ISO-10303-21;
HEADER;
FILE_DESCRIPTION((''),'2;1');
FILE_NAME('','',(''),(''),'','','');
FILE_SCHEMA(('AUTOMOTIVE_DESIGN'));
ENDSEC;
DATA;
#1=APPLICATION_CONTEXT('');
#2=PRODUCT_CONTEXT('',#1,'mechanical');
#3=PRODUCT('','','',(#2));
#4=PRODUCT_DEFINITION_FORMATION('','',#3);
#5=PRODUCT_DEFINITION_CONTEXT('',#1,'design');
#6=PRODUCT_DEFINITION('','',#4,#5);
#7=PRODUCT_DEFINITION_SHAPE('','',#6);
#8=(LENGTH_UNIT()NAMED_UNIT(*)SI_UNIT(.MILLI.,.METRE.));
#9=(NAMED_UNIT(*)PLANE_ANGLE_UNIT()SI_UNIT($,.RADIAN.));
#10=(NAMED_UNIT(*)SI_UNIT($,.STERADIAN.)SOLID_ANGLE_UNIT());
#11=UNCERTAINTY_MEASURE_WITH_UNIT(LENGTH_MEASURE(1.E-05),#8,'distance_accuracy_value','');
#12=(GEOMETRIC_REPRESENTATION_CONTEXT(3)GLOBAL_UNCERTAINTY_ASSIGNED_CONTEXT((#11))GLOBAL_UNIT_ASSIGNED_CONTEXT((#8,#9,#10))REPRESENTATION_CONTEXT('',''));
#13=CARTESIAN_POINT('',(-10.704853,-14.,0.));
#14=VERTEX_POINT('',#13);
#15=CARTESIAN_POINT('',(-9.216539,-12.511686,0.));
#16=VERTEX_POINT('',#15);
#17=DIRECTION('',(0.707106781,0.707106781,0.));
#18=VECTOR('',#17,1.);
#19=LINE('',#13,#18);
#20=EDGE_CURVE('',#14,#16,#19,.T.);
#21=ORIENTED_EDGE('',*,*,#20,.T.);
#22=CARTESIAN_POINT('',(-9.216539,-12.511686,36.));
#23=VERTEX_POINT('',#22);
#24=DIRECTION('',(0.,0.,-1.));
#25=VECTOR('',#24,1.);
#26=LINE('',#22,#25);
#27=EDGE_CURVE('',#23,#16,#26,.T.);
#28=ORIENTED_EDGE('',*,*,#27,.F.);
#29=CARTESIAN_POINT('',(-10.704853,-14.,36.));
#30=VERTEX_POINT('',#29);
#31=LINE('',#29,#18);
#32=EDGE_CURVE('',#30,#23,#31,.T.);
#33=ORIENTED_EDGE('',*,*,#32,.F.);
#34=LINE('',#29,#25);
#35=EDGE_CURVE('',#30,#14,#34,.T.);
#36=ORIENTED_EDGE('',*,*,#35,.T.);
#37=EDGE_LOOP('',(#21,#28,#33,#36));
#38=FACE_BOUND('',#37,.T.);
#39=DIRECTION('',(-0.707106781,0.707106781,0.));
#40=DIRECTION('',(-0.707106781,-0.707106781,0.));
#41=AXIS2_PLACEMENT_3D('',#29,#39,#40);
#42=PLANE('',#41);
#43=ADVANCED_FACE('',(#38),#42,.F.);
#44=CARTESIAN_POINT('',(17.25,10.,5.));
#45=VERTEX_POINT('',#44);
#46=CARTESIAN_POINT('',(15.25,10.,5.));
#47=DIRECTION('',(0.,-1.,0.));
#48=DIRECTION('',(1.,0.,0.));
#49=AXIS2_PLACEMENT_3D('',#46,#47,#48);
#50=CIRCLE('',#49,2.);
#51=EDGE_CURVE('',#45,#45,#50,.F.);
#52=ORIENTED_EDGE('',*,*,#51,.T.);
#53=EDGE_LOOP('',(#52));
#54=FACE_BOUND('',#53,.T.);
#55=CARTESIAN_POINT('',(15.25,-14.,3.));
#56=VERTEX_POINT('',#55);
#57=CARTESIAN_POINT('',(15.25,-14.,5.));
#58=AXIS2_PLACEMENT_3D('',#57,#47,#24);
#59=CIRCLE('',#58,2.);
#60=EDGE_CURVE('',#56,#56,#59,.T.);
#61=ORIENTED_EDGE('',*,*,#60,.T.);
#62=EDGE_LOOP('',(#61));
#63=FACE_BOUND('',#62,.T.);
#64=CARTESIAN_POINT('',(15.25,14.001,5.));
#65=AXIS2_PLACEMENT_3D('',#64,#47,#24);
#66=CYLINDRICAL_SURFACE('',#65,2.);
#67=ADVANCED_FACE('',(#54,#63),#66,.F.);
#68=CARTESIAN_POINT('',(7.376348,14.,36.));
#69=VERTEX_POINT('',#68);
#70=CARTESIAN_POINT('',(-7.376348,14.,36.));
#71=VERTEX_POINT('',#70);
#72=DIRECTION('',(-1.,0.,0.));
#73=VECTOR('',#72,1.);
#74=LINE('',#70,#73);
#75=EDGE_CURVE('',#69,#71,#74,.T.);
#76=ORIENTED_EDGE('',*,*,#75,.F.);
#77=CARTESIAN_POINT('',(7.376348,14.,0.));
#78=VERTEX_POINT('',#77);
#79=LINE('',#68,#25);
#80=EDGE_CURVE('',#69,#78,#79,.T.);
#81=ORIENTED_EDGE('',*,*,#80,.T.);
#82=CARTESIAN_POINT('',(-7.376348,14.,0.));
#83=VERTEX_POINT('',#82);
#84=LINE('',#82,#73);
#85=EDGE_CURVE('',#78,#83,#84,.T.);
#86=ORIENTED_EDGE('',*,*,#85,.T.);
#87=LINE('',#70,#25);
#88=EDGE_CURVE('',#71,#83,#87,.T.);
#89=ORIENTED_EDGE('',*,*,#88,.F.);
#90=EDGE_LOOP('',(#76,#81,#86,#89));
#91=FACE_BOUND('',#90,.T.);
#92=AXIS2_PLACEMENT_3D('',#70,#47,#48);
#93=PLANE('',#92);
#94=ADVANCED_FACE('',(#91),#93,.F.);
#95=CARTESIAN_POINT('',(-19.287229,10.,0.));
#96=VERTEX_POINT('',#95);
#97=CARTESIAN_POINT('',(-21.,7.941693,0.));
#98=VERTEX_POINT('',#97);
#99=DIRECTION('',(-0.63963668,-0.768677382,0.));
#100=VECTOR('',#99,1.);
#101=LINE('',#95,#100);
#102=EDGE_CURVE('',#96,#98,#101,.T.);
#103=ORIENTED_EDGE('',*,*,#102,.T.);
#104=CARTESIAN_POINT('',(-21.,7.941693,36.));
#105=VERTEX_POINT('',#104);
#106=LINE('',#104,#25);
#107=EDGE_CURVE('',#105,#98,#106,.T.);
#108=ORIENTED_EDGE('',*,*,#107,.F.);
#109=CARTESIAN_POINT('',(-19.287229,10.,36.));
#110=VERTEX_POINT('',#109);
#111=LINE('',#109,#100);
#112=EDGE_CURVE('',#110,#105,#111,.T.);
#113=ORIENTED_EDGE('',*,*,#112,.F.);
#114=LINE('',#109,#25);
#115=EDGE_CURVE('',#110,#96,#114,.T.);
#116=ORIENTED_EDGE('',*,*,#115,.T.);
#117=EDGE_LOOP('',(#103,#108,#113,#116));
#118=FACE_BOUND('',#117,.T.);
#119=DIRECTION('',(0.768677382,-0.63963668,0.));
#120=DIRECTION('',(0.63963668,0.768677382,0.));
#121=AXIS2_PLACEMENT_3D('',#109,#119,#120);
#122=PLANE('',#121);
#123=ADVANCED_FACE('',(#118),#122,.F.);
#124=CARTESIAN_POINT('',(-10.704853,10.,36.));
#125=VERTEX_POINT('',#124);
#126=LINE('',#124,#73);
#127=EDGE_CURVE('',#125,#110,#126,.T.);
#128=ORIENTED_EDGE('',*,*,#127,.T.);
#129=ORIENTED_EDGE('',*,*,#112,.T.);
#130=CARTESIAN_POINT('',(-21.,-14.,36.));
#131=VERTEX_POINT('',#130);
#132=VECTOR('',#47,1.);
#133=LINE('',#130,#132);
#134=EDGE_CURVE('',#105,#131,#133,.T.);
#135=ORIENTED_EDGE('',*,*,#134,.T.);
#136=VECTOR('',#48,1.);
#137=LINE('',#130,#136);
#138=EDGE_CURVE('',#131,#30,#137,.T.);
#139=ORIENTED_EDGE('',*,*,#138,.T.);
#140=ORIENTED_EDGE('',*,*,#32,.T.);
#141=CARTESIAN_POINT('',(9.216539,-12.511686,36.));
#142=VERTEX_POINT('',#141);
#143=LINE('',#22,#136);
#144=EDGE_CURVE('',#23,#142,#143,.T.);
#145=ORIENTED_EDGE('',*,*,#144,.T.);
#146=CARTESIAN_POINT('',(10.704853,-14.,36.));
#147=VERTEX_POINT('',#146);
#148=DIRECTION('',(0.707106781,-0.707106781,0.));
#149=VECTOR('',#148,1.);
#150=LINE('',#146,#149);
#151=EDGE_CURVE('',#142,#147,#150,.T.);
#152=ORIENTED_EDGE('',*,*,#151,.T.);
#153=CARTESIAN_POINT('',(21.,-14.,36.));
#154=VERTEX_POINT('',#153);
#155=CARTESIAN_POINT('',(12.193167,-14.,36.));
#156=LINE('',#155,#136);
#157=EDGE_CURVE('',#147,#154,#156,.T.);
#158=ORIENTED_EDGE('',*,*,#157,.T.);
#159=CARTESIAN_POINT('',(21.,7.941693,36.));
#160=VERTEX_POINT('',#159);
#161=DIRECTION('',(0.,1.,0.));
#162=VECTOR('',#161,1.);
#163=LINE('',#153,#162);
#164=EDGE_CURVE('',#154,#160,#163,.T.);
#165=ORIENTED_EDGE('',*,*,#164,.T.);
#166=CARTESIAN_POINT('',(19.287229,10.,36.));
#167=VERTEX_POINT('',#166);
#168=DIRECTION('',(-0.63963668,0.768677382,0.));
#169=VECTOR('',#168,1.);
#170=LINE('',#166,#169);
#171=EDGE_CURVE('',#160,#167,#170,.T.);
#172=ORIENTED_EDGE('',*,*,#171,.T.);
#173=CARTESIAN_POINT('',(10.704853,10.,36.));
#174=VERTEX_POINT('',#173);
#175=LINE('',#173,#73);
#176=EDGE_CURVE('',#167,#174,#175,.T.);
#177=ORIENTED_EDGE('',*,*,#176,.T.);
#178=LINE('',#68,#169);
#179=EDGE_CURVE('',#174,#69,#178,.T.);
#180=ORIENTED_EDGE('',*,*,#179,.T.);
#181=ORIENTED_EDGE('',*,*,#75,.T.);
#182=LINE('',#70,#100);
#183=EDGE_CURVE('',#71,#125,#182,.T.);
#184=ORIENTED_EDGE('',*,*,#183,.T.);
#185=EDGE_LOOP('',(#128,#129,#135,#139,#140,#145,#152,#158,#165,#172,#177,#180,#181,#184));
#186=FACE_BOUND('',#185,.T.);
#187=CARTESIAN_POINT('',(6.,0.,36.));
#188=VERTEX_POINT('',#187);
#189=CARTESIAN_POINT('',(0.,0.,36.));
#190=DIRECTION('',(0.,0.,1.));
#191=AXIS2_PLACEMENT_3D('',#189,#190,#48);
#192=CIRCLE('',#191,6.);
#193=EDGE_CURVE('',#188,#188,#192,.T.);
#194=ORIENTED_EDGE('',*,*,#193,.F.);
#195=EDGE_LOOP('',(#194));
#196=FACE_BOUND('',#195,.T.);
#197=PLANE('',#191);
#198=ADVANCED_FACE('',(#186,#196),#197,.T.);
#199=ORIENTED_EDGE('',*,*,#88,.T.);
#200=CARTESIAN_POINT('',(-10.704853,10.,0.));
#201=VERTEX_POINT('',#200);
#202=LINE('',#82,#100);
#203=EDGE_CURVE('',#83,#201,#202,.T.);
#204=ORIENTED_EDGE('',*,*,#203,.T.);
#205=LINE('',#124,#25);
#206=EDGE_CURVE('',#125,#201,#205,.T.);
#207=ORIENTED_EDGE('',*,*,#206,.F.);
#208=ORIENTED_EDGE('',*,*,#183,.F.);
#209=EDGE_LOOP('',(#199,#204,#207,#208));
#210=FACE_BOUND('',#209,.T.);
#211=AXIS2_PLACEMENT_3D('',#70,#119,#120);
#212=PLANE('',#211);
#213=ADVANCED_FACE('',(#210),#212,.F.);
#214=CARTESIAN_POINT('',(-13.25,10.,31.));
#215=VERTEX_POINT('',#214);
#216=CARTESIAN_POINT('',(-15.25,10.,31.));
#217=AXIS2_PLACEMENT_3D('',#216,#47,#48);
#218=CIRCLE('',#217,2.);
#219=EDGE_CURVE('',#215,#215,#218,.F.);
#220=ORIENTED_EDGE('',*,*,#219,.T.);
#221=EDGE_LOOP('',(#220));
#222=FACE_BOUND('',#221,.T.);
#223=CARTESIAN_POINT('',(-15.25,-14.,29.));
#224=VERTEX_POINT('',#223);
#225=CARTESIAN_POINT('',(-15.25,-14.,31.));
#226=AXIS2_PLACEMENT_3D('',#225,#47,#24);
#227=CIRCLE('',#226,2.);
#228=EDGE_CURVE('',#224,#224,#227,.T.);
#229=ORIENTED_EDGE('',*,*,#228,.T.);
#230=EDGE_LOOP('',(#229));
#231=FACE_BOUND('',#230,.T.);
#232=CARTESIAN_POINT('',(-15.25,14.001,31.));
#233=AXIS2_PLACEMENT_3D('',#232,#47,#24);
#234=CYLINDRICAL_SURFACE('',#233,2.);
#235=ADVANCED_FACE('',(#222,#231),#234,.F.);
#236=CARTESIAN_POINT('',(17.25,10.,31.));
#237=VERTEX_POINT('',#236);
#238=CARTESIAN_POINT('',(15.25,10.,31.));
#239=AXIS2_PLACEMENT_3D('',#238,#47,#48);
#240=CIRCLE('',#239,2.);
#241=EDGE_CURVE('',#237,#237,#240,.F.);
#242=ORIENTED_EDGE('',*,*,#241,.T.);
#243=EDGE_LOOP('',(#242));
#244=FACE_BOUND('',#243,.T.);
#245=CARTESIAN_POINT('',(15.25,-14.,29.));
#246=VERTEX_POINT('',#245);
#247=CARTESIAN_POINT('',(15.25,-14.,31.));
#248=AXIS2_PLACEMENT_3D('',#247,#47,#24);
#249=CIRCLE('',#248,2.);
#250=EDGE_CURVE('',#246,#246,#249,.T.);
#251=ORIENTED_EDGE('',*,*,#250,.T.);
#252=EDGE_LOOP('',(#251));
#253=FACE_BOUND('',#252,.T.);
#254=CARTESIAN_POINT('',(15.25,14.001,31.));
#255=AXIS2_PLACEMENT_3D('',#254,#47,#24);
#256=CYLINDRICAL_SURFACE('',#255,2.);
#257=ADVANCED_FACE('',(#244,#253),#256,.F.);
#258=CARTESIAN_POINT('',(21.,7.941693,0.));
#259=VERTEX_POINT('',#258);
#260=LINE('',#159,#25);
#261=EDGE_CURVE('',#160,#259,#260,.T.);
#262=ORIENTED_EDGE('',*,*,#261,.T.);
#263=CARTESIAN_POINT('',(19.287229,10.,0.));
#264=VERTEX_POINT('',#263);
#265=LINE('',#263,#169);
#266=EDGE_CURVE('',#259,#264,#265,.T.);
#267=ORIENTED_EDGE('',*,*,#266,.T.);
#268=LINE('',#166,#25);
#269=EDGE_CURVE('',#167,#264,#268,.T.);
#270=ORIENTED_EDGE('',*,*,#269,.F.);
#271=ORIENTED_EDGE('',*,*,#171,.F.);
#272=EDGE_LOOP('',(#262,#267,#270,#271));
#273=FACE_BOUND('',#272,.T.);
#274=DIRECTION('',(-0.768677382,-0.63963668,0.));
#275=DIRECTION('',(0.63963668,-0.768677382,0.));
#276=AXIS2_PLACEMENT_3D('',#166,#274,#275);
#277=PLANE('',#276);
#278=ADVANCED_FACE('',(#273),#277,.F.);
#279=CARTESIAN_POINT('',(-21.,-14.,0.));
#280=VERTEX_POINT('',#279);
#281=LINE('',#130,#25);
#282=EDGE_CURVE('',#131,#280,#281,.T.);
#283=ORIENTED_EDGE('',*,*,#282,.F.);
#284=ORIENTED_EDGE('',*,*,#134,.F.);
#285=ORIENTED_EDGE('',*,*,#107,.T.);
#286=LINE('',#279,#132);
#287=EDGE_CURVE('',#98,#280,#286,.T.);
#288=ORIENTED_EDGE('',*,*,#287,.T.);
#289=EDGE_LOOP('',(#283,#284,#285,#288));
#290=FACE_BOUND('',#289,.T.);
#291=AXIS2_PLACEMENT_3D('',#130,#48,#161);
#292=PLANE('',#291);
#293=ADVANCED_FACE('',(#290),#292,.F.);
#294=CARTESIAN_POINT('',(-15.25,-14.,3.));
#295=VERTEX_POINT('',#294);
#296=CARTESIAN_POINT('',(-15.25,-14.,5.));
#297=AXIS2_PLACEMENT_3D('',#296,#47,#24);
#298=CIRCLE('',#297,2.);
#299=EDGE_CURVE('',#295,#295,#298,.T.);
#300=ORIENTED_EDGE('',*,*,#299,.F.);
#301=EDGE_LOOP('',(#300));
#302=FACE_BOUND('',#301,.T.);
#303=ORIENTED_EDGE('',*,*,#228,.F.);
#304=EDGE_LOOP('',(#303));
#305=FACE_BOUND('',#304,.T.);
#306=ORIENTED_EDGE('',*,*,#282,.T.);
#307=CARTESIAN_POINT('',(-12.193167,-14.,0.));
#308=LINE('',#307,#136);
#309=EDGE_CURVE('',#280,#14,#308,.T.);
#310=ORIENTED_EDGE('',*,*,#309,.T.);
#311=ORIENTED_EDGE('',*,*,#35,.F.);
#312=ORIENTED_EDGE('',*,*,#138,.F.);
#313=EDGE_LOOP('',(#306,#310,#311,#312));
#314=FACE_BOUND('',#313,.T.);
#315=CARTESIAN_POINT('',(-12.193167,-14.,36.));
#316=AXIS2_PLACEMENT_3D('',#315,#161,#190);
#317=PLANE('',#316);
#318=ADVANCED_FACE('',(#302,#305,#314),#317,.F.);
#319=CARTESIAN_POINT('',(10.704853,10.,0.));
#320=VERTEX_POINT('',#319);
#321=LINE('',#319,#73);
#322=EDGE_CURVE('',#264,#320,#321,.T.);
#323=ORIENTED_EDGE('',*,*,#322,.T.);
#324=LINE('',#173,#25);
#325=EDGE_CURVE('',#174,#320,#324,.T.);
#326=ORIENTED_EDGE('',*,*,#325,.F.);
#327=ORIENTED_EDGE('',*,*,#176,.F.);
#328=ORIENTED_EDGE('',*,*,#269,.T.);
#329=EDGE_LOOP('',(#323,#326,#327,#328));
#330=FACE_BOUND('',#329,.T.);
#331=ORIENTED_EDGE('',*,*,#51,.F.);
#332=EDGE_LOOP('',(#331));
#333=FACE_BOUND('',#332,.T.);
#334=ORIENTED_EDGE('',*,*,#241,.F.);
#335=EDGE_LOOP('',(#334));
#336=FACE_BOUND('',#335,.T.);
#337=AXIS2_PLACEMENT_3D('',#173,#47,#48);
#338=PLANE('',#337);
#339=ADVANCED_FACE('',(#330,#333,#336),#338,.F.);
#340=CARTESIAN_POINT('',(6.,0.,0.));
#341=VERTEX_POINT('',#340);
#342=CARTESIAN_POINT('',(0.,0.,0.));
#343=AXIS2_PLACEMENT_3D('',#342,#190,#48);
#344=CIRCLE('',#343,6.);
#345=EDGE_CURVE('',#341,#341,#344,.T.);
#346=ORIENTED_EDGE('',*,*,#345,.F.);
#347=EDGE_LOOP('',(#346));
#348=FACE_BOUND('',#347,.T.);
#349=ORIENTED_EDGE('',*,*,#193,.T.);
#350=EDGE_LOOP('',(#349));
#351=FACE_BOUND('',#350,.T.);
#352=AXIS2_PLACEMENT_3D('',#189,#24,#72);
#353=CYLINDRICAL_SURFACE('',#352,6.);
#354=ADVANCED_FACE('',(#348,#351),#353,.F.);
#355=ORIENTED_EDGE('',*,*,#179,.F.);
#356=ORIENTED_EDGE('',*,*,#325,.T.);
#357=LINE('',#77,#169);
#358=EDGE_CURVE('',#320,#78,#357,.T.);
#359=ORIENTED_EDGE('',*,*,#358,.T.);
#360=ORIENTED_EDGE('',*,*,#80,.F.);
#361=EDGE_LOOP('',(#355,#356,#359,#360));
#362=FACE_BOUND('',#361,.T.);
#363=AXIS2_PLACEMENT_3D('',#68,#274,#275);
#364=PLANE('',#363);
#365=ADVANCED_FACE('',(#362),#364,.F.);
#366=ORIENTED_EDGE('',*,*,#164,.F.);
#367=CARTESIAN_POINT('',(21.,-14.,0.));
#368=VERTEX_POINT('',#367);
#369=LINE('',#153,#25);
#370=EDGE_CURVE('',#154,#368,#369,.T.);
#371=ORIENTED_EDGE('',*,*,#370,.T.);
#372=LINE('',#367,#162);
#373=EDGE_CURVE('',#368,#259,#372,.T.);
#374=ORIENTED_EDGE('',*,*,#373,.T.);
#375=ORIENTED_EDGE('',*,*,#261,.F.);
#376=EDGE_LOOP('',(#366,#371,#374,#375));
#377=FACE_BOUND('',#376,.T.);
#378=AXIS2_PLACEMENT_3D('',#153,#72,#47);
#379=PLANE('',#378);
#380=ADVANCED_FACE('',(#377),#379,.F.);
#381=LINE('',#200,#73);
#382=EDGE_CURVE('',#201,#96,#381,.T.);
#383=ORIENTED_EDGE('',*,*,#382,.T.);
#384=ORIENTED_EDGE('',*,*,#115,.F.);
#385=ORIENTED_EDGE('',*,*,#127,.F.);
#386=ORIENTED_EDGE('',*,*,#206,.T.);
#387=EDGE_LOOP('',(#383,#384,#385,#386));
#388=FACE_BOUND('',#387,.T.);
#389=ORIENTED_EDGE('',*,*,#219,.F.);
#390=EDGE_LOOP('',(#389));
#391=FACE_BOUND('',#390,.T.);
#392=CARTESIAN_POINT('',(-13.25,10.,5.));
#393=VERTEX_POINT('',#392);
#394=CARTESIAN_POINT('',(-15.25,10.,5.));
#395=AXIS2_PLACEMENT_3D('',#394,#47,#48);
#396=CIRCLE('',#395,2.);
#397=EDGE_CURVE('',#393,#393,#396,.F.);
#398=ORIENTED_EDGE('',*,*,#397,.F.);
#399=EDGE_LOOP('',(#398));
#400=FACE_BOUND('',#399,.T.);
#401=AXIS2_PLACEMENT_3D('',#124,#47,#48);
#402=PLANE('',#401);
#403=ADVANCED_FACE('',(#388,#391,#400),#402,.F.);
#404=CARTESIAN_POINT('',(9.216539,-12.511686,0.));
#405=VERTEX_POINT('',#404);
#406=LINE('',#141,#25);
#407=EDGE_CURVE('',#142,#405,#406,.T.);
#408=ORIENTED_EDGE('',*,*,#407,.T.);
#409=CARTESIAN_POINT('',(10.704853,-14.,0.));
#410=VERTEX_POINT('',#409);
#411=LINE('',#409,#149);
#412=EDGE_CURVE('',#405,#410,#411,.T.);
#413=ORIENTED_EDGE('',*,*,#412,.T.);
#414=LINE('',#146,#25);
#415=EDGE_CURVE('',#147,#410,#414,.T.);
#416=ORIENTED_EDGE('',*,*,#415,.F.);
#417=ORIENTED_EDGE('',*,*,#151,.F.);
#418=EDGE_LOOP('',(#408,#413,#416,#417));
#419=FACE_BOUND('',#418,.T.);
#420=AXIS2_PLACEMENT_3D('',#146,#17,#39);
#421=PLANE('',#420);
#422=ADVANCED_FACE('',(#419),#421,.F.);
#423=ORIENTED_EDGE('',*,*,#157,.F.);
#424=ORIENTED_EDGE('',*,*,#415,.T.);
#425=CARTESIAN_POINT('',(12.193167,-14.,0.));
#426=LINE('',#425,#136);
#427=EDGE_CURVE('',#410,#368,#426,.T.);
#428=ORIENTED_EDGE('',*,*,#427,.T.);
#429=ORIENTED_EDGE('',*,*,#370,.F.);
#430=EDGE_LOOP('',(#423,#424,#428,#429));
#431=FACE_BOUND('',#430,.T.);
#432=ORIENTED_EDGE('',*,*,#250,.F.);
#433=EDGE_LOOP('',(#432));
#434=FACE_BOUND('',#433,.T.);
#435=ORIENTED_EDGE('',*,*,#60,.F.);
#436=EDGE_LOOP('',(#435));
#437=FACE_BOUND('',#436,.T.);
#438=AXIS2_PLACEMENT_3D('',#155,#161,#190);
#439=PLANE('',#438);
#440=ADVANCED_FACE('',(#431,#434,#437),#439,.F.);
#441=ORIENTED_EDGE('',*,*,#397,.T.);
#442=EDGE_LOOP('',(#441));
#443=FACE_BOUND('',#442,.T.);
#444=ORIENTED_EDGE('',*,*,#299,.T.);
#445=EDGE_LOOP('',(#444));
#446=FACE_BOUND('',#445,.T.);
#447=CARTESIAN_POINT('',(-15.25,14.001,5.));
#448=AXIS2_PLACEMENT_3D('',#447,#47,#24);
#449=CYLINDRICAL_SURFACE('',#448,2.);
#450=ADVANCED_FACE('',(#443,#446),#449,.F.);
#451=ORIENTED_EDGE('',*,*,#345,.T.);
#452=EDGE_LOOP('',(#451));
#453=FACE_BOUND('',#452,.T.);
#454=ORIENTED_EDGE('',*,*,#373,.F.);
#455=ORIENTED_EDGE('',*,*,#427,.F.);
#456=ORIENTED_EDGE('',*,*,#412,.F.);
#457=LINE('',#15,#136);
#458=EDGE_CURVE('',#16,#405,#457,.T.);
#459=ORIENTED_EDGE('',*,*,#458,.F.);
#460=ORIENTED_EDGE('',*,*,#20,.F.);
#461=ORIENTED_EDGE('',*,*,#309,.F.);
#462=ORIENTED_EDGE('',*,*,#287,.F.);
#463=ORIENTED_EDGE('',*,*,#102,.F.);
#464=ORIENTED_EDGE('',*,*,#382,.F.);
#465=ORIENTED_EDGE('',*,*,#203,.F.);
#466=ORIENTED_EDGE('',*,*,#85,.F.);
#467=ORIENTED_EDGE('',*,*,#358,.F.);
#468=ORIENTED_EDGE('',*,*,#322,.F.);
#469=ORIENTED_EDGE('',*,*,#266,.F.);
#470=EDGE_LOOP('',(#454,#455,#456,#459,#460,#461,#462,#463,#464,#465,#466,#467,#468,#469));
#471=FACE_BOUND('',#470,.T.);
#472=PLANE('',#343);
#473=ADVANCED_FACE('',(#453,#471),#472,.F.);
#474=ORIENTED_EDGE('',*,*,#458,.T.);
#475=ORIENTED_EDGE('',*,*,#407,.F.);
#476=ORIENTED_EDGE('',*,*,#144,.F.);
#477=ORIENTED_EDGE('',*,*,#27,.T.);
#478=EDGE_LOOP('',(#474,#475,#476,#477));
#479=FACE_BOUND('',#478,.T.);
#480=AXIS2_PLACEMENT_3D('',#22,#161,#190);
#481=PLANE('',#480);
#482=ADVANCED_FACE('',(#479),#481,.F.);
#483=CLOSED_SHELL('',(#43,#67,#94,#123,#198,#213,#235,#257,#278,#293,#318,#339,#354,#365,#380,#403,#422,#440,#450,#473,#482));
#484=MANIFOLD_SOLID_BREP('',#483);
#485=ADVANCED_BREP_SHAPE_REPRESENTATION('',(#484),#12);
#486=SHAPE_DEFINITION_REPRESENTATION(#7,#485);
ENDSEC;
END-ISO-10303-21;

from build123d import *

# Parameters (mm, degrees)
SKETCH1_R           = 6
BOSS_EXTRUDE1_DEPTH = 36
CUT_EXTRUDE1_REACH  = 30
SKETCH2_R           = 2


with BuildPart() as part:
    # Sketch1 → Boss-Extrude1 (new body)
    with BuildSketch(Plane.XY):
        Polygon((-7.376347734, 14), (-10.704853009, 10), (-19.287228785, 10), (-21, 7.941693254), (-21, -14), (-12.193167268, -14), (-10.704853009, -14), (-9.216538749, -12.511685741), (9.216538749, -12.511685741), (10.704853009, -14), (12.193167268, -14), (21, -14), (21, 7.941693254), (19.287228785, 10), (10.704853009, 10), (7.376347734, 14), align=None)
        Circle(SKETCH1_R, mode=Mode.SUBTRACT)
    extrude(amount=BOSS_EXTRUDE1_DEPTH)

    # Sketch2 → Cut-Extrude1 (cut, up to next)
    with BuildSketch(Plane.XZ.offset(14), mode=Mode.PRIVATE) as cut_extrude1_sk1:
        with Locations((-15.25, 31)):
            Circle(SKETCH2_R)
    cut_extrude1_tool1 = extrude(cut_extrude1_sk1.sketch, amount=-CUT_EXTRUDE1_REACH, mode=Mode.PRIVATE) & part.part
    add(cut_extrude1_tool1.solids().sort_by_distance((-15.25, -14, 31))[0], mode=Mode.SUBTRACT)
    # Sketch2 → Cut-Extrude1 (cut, up to next)
    with BuildSketch(Plane.XZ.offset(14), mode=Mode.PRIVATE) as cut_extrude1_sk2:
        with Locations((15.25, 31)):
            Circle(SKETCH2_R)
    cut_extrude1_tool2 = extrude(cut_extrude1_sk2.sketch, amount=-CUT_EXTRUDE1_REACH, mode=Mode.PRIVATE) & part.part
    add(cut_extrude1_tool2.solids().sort_by_distance((15.25, -14, 31))[0], mode=Mode.SUBTRACT)
    # Sketch2 → Cut-Extrude1 (cut, up to next)
    with BuildSketch(Plane.XZ.offset(14), mode=Mode.PRIVATE) as cut_extrude1_sk3:
        with Locations((15.25, 5)):
            Circle(SKETCH2_R)
    cut_extrude1_tool3 = extrude(cut_extrude1_sk3.sketch, amount=-CUT_EXTRUDE1_REACH, mode=Mode.PRIVATE) & part.part
    add(cut_extrude1_tool3.solids().sort_by_distance((15.25, -14, 5))[0], mode=Mode.SUBTRACT)
    # Sketch2 → Cut-Extrude1 (cut, up to next)
    with BuildSketch(Plane.XZ.offset(14), mode=Mode.PRIVATE) as cut_extrude1_sk4:
        with Locations((-15.25, 5)):
            Circle(SKETCH2_R)
    cut_extrude1_tool4 = extrude(cut_extrude1_sk4.sketch, amount=-CUT_EXTRUDE1_REACH, mode=Mode.PRIVATE) & part.part
    add(cut_extrude1_tool4.solids().sort_by_distance((-15.25, -14, 5))[0], mode=Mode.SUBTRACT)


solid = part.part
